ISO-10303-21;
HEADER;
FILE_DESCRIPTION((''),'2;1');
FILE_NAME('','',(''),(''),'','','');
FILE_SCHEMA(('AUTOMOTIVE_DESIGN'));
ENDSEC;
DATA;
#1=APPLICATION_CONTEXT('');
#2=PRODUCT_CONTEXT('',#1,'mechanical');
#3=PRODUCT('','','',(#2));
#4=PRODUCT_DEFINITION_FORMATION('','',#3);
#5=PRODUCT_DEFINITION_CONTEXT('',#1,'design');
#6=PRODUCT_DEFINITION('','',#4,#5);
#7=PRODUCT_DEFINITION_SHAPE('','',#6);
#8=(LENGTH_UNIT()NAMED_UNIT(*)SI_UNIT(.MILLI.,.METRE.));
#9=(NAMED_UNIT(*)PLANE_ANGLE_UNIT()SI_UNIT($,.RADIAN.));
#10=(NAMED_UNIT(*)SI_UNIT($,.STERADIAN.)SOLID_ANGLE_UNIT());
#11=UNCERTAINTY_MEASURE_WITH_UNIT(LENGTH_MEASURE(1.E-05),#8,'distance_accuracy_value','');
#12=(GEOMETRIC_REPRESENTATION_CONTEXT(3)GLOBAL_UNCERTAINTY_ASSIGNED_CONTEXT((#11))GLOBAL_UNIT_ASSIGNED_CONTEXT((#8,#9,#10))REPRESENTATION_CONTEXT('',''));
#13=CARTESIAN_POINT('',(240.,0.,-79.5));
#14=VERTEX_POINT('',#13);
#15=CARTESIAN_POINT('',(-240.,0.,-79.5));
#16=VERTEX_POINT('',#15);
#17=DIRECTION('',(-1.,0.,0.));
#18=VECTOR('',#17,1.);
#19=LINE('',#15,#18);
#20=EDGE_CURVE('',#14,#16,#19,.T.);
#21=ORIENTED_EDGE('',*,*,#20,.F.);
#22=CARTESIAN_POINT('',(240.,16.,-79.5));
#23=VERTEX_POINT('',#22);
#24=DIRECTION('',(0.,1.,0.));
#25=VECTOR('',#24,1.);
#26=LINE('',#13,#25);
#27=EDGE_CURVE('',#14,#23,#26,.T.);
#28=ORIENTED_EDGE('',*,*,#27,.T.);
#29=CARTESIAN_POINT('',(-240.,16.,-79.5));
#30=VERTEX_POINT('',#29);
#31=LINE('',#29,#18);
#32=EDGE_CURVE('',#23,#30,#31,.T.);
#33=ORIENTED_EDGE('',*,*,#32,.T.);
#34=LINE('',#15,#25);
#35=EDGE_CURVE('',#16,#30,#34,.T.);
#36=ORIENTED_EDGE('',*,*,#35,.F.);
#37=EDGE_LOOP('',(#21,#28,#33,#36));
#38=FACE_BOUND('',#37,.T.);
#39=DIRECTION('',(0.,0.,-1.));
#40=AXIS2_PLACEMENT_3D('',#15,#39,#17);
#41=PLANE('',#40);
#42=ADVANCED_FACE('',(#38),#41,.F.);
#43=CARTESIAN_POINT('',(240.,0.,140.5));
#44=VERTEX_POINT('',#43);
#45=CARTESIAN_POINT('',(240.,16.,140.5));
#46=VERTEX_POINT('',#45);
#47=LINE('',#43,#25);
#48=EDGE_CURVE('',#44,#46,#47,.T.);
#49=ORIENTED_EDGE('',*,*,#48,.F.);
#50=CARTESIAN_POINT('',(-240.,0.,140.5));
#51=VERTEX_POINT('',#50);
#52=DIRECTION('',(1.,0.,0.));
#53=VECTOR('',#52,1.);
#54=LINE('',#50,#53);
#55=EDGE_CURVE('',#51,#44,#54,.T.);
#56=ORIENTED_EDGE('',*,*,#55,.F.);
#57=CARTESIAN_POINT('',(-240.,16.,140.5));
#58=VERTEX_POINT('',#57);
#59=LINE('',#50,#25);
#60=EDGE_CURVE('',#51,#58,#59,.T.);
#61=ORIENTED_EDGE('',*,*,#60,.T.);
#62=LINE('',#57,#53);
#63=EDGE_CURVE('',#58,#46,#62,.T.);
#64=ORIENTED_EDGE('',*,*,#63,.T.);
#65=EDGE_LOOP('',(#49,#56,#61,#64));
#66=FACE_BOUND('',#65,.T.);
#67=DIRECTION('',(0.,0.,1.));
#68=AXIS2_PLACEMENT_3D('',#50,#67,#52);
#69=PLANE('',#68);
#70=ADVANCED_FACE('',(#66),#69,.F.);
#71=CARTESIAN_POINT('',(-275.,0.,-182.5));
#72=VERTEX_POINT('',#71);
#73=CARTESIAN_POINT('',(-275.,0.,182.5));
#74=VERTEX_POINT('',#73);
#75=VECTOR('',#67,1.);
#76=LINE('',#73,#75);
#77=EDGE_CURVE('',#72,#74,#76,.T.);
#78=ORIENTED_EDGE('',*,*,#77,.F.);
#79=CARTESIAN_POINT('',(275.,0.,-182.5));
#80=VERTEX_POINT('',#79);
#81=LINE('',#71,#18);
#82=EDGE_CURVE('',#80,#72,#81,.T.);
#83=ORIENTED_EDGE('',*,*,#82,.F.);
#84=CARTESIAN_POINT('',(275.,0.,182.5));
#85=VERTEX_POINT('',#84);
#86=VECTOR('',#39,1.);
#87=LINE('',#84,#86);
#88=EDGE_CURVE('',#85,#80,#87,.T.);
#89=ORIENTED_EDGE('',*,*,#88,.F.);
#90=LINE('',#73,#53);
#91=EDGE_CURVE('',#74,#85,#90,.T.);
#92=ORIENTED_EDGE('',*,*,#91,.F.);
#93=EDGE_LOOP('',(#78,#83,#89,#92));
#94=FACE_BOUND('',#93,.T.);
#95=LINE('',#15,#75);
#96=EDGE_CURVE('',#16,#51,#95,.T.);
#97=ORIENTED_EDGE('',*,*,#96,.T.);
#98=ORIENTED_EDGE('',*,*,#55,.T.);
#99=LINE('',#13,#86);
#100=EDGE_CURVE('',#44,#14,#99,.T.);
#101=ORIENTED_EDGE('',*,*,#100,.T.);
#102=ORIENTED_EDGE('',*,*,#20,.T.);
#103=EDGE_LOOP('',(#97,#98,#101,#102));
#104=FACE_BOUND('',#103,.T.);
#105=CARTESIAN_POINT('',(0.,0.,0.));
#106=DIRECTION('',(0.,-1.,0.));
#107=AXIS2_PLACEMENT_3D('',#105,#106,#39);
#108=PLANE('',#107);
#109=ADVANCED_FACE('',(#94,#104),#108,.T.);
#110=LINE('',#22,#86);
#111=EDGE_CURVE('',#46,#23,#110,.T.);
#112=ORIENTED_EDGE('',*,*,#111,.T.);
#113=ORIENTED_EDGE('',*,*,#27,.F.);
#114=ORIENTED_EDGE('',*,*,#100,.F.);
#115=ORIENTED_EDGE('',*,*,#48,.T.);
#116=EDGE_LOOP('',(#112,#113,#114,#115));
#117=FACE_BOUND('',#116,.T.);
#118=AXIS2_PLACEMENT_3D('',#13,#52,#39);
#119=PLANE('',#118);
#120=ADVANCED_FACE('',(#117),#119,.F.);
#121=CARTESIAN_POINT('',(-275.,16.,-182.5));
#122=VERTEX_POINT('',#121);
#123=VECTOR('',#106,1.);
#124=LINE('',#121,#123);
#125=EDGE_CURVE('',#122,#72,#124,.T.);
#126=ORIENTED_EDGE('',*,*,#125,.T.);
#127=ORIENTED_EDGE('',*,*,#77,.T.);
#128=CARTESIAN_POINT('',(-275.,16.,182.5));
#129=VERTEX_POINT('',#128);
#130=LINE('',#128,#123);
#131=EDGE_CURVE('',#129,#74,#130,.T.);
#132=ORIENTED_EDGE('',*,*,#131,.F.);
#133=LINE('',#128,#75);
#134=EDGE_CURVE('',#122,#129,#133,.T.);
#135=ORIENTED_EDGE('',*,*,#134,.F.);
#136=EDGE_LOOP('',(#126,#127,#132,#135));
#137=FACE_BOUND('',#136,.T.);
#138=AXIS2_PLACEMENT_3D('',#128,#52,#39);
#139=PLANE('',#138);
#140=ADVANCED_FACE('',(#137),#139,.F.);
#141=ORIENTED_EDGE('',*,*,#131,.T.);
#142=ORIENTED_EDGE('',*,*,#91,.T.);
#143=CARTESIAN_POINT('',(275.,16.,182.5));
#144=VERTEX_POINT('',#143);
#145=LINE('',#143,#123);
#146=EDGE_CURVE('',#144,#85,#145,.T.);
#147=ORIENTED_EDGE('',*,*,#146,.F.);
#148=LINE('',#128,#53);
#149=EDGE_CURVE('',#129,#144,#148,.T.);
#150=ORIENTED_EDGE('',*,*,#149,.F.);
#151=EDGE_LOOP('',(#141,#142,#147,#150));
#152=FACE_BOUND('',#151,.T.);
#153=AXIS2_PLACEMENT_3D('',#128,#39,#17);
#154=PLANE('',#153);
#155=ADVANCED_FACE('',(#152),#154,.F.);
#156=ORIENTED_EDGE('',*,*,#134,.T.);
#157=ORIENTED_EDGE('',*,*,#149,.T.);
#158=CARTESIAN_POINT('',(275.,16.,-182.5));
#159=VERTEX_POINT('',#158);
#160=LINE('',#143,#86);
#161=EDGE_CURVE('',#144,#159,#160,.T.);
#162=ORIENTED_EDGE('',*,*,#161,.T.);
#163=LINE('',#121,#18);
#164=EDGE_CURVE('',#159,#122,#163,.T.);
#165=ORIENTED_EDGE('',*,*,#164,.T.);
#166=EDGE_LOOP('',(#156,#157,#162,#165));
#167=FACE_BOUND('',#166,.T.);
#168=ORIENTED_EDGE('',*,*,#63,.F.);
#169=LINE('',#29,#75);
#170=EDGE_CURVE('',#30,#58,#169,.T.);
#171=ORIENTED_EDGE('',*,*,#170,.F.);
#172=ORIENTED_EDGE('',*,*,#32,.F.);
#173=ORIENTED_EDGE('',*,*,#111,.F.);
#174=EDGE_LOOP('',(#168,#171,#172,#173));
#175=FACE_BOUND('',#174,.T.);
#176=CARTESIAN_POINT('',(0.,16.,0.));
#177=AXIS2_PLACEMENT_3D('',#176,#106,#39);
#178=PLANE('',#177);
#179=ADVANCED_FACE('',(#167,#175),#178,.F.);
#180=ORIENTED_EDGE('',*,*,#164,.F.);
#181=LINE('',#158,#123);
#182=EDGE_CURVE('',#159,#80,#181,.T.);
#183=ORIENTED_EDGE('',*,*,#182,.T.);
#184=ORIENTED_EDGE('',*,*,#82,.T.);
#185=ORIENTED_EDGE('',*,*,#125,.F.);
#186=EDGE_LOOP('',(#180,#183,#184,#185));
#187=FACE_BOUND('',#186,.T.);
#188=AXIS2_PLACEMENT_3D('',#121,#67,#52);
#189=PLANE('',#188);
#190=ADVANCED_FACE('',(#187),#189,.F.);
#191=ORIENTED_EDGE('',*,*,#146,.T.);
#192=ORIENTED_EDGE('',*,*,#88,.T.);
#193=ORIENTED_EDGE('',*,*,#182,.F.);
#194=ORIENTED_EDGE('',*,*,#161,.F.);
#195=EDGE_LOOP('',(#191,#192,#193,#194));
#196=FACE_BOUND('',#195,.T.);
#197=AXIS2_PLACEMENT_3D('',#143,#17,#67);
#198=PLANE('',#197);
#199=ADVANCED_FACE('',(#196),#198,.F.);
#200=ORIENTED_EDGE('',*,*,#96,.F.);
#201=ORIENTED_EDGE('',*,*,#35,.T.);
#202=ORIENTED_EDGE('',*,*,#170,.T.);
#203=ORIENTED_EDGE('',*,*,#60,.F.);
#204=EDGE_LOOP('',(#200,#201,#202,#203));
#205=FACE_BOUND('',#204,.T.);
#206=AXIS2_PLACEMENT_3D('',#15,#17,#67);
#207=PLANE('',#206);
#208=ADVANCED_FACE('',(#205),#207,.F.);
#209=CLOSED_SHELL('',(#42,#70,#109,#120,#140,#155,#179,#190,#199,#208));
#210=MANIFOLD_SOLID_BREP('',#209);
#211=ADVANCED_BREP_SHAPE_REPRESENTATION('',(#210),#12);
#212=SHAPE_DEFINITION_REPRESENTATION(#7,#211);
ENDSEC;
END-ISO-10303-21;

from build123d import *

# Parameters (mm, degrees)
SZKIC1_W                    = 550
SZKIC1_H                    = 365
DODANIE_WYCI_GNI_CIE1_DEPTH = 16
SZKIC2_W                    = 480
SZKIC2_H                    = 220
WYTNIJ_WYCI_GNI_CIE1_DEPTH  = 16


with BuildPart() as part:
    # Szkic1 → Dodanie-wyciągnięcie1 (new body)
    with BuildSketch(Plane(origin=(0, 0, 0), x_dir=(1, 0, 0), z_dir=(0, 1, 0))):
        Rectangle(SZKIC1_W, SZKIC1_H)
    extrude(amount=DODANIE_WYCI_GNI_CIE1_DEPTH)

    # Szkic2 → Wytnij-wyciągnięcie1 (cut)
    with BuildSketch(Plane(origin=(0, 16, 0), x_dir=(1, 0, 0), z_dir=(0, 1, 0))):
        with Locations((0, -30.5)):
            Rectangle(SZKIC2_W, SZKIC2_H)
    extrude(amount=-WYTNIJ_WYCI_GNI_CIE1_DEPTH, mode=Mode.SUBTRACT)


solid = part.part
